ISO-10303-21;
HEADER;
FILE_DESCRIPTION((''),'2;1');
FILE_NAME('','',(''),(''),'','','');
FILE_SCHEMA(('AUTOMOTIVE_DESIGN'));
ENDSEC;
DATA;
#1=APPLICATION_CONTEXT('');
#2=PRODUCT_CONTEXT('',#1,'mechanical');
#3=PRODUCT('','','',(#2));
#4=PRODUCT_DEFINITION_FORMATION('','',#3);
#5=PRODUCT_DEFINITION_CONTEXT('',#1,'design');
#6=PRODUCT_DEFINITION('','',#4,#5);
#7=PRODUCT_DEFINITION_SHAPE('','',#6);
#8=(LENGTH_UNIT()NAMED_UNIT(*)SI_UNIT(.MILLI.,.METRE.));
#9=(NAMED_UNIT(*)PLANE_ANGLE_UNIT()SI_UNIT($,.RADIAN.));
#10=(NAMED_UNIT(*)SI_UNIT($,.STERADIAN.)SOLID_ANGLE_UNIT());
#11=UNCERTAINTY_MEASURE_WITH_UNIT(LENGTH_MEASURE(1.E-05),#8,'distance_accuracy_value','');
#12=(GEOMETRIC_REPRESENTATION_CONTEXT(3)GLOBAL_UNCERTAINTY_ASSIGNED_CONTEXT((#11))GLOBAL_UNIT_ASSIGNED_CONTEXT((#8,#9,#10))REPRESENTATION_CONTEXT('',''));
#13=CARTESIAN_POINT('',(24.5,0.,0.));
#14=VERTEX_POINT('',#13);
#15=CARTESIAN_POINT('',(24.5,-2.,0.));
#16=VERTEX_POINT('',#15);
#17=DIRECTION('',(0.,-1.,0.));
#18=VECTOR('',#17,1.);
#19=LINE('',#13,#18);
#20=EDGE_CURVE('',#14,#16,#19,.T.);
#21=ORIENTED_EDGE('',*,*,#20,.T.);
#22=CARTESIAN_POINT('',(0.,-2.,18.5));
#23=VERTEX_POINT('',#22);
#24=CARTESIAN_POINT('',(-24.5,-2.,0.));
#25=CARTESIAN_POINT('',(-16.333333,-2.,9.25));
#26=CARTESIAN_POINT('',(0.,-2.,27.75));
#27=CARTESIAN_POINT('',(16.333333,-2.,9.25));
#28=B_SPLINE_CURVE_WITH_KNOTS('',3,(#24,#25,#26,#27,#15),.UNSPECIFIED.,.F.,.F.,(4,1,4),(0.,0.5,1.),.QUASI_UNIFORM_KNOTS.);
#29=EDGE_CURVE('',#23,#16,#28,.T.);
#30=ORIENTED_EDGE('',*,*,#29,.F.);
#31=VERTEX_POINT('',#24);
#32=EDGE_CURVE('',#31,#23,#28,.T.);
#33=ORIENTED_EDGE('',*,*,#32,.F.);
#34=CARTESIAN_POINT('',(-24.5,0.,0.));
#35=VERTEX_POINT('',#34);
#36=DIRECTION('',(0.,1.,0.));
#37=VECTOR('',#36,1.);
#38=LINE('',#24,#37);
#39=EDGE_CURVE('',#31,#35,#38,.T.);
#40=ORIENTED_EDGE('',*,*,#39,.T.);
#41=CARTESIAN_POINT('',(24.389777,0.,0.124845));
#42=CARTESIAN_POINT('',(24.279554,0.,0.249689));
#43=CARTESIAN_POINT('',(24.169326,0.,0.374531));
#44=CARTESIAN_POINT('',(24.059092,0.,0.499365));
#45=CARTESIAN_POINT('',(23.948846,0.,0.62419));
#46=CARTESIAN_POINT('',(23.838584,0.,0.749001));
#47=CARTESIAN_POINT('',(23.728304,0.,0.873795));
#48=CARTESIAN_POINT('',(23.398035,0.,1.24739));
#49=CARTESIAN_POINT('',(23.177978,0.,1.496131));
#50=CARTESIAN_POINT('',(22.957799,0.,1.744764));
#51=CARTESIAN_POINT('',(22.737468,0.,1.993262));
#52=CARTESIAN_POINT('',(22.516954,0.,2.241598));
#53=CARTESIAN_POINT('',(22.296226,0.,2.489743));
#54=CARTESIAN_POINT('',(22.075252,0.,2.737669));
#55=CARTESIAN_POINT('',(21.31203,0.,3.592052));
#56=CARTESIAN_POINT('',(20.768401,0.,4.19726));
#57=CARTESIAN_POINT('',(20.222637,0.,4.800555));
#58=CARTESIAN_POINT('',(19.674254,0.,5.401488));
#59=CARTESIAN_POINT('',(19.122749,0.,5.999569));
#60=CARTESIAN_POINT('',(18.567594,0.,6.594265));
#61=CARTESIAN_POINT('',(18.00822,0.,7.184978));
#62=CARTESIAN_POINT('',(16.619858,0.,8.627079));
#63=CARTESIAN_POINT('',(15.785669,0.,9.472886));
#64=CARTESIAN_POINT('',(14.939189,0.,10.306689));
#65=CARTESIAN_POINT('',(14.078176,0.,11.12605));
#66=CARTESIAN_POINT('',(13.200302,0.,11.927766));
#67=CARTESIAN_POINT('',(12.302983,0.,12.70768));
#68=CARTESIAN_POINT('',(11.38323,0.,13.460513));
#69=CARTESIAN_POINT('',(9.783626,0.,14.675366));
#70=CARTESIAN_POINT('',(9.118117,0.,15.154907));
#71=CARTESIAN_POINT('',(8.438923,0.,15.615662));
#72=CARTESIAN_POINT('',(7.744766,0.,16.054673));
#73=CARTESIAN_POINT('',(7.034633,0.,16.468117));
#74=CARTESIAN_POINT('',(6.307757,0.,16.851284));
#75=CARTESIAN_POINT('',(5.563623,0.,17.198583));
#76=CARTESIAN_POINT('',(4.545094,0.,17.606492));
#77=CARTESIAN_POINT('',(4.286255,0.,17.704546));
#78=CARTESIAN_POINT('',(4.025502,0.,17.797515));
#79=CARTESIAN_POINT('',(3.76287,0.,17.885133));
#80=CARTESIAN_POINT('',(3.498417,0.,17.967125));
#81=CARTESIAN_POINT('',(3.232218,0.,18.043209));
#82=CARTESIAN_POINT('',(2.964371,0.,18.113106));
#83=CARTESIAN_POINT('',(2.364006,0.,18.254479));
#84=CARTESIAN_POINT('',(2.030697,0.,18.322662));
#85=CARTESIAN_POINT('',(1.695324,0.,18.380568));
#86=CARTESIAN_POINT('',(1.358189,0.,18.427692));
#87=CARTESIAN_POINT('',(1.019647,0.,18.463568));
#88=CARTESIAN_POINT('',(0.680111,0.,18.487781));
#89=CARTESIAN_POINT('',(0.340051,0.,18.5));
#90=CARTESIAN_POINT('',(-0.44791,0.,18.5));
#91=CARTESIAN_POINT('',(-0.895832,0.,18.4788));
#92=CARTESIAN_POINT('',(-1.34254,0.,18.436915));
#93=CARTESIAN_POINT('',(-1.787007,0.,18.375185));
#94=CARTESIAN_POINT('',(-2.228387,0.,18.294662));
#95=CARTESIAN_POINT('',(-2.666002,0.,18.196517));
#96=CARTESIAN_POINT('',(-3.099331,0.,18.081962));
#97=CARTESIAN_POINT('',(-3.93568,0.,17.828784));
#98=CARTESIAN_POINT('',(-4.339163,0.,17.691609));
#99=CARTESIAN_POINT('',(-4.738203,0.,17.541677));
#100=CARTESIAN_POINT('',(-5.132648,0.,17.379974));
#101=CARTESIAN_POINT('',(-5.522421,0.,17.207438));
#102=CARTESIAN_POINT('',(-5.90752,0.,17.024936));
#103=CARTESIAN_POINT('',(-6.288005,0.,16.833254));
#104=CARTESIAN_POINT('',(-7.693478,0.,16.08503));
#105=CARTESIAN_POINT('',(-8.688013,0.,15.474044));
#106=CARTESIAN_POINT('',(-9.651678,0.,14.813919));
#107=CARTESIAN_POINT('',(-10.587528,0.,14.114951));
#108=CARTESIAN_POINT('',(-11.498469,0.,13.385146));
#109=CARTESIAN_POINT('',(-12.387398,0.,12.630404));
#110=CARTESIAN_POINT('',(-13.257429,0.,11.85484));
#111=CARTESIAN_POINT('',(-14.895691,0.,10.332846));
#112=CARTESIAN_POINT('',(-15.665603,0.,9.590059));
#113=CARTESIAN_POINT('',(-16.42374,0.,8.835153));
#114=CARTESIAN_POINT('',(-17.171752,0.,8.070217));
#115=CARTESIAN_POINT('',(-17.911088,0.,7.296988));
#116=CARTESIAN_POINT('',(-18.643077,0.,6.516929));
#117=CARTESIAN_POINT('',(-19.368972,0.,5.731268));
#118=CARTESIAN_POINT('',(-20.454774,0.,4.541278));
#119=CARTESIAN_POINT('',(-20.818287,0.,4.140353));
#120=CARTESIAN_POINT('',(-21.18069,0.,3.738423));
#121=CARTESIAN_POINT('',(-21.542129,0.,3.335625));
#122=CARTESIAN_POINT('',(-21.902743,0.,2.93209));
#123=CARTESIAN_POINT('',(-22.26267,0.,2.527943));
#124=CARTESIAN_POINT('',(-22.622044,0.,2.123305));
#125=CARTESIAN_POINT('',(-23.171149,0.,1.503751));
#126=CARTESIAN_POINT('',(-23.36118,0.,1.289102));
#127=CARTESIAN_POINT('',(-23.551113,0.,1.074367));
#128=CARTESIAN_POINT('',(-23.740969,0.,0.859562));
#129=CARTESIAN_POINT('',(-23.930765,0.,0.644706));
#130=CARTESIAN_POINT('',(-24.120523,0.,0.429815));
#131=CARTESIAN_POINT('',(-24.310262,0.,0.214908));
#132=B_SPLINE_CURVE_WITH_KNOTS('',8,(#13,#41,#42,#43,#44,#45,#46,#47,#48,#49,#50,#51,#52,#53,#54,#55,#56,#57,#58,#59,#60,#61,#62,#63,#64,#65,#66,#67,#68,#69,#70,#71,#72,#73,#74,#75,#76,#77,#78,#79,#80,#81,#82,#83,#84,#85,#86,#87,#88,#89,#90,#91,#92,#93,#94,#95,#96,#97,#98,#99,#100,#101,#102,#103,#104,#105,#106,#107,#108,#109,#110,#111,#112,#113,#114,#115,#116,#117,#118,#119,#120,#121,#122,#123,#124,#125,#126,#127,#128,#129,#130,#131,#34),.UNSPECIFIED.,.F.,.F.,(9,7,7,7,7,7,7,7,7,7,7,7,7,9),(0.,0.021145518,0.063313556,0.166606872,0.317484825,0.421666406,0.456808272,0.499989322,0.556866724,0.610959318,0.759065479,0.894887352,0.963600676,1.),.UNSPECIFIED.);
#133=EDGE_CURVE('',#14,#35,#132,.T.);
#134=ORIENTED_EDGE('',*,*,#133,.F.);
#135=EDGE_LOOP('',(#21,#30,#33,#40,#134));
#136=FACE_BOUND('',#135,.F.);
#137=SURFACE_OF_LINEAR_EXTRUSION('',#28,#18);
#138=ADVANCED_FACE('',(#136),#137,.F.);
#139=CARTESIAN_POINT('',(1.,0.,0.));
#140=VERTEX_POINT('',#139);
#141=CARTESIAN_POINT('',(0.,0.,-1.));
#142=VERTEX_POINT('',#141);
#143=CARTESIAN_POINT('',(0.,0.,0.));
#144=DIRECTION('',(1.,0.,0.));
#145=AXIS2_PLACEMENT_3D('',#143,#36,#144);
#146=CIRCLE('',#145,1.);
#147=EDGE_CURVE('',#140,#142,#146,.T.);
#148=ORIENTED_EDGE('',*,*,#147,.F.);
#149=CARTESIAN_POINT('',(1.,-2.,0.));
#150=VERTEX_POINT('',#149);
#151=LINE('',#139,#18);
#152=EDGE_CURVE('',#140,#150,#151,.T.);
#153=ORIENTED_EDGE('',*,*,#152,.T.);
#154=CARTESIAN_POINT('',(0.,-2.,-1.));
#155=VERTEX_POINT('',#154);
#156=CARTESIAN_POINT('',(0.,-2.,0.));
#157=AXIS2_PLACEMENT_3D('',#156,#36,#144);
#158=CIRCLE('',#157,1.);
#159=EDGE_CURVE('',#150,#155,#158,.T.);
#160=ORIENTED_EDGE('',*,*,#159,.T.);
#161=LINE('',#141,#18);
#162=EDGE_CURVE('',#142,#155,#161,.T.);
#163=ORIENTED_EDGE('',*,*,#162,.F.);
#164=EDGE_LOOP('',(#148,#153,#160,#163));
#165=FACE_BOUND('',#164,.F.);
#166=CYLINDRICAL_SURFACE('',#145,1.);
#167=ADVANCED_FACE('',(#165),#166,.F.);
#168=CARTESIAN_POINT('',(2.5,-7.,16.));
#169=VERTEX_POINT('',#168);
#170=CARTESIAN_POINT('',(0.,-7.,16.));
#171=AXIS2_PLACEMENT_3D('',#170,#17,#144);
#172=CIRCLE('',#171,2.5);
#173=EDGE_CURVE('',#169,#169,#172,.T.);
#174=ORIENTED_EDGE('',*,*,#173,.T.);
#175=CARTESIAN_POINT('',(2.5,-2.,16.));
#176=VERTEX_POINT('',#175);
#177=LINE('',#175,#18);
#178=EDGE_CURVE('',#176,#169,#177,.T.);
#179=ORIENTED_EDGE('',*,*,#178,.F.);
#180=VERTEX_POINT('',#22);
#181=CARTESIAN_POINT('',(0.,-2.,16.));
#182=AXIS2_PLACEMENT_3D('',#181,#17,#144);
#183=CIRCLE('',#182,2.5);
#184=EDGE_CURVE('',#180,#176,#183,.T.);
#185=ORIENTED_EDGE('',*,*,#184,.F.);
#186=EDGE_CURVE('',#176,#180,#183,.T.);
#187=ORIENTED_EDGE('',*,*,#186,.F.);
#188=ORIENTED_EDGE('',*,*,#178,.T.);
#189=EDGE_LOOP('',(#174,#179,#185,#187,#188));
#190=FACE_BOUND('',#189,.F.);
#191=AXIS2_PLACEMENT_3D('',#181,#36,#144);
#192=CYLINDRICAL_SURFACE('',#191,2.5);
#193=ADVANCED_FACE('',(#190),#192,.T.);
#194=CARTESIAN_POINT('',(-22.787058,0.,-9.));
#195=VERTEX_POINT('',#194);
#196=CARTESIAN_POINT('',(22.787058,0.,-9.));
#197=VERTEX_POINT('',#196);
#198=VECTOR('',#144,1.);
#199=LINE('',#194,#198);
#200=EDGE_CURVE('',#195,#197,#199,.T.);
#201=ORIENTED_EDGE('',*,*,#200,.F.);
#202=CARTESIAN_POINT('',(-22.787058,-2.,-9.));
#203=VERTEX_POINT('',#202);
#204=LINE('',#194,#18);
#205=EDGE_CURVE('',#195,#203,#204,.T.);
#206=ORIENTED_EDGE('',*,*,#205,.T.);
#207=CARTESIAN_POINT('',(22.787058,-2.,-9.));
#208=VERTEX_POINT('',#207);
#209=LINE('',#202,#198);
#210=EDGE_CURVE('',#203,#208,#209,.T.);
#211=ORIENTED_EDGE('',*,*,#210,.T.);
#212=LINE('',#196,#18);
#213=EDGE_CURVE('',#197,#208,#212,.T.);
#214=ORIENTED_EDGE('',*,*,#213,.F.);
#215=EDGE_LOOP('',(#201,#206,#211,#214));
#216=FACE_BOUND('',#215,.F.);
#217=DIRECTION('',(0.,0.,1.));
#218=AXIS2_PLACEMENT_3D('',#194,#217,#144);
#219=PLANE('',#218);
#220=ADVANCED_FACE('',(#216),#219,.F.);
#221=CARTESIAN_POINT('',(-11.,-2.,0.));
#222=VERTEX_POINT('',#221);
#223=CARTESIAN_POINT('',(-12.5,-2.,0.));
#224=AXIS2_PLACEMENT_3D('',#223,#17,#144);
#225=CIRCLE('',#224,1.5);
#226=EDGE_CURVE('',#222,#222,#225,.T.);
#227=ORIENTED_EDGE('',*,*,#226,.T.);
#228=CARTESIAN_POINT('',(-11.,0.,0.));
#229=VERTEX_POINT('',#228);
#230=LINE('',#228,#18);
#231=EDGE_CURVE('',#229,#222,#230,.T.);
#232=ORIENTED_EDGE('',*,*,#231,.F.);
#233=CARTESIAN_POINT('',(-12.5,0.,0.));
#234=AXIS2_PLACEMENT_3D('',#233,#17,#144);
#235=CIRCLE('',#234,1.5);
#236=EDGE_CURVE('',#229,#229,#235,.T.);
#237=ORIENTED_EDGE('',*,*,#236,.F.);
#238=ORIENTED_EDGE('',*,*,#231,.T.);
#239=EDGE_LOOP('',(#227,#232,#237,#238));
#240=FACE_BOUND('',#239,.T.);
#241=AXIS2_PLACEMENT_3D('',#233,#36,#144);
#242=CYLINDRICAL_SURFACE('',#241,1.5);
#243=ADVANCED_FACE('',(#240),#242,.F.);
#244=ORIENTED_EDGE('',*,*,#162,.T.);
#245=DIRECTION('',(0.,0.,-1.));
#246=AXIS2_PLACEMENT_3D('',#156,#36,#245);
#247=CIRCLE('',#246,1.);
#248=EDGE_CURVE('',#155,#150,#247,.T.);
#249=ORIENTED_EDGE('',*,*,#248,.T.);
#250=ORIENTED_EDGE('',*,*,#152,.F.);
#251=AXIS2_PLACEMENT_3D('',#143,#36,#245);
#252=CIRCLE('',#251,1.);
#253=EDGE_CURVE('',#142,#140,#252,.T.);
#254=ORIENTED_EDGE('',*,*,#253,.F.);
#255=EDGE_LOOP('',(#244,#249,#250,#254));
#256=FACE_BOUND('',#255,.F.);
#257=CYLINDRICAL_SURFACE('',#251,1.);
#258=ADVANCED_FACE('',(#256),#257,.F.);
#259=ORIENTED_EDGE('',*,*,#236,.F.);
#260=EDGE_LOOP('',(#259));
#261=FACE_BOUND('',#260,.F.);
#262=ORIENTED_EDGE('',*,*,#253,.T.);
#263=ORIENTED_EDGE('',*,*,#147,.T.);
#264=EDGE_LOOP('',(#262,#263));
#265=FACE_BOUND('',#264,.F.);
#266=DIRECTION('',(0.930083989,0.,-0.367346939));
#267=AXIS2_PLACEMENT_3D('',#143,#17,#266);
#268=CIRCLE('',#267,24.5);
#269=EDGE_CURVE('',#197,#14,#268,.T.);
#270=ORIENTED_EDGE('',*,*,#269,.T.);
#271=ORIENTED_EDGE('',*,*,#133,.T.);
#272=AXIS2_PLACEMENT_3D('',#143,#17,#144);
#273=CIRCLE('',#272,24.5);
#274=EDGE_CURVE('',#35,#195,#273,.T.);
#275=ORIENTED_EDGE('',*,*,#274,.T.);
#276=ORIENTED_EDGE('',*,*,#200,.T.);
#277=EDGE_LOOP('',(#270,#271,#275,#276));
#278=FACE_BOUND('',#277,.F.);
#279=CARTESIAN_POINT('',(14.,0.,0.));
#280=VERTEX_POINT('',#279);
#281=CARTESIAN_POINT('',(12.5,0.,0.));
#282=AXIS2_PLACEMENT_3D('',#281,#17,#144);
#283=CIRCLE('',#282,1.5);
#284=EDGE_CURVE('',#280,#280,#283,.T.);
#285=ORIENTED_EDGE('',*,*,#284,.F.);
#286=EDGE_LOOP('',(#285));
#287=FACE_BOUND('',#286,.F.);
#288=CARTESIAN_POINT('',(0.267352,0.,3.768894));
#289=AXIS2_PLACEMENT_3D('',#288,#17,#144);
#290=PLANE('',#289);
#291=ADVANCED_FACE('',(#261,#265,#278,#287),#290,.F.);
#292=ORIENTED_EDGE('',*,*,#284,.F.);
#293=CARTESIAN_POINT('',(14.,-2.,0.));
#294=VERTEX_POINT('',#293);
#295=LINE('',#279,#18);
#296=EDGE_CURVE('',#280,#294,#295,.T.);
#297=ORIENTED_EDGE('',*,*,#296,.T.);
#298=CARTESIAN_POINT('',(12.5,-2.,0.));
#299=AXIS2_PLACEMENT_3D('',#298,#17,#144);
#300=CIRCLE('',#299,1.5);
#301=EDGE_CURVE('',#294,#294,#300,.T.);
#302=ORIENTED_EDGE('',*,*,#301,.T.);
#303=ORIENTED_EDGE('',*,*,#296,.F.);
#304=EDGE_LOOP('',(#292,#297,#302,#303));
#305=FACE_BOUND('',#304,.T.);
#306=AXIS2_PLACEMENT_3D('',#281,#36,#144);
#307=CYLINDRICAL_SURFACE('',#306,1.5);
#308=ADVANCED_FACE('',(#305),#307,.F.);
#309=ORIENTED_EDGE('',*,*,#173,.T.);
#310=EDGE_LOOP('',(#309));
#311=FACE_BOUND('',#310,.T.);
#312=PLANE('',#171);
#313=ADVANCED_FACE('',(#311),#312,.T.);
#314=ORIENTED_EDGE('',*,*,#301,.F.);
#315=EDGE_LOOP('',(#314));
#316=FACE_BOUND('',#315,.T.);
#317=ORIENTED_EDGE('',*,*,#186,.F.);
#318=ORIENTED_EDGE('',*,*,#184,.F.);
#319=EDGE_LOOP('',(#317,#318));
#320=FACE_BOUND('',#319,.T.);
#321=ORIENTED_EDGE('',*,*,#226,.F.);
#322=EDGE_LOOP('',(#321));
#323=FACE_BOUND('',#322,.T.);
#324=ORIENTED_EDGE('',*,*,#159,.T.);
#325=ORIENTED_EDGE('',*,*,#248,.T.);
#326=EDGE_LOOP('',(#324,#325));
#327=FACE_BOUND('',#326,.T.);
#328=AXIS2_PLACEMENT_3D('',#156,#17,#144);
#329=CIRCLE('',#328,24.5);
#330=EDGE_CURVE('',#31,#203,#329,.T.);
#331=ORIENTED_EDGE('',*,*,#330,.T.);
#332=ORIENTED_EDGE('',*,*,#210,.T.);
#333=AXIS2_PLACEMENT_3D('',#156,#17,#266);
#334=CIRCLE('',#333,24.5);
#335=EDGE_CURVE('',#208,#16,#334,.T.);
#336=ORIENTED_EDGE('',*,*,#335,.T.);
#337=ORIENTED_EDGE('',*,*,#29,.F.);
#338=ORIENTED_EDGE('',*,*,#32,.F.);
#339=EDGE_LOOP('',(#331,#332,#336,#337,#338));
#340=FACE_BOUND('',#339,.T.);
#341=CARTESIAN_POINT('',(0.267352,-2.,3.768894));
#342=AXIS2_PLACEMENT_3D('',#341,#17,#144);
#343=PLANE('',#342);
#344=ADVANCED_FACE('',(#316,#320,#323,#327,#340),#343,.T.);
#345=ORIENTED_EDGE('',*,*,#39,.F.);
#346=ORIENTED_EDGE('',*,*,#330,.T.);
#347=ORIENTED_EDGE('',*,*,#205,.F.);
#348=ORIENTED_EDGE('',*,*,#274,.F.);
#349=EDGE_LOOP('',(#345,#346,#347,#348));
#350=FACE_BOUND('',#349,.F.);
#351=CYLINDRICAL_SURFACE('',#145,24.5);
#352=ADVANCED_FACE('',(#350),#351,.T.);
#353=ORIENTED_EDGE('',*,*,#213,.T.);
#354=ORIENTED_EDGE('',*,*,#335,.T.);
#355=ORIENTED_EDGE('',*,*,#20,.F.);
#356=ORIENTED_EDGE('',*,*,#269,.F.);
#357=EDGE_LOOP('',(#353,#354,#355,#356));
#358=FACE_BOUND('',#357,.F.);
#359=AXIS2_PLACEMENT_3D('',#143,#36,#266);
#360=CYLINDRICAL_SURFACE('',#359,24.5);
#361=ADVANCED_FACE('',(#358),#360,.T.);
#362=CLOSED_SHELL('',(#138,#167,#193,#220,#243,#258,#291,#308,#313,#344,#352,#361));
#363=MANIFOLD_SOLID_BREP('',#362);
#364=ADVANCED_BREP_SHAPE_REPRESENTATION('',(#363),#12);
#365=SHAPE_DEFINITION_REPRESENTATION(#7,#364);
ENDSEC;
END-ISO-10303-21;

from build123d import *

# Parameters (mm, degrees)
F0_R     = 1.5
F1_DEPTH = 2
F2_R     = 2.5
F3_DEPTH = 5
F5_DEPTH = 25


with BuildPart() as f1:
    # F0 (on Front) → F1 (new body)
    with BuildSketch(Plane.XZ):
        with BuildLine():
            ThreePointArc((22.7870577302, -9), (24.0679549857, -4.5807797158), (24.5, 0))
            ThreePointArc((24.5, 0), (-4.5807797158, 24.0679549857), (-22.7870577302, -9))
            Line((-22.7870577302, -9), (0, -9))
            Line((0, -9), (22.7870577302, -9))
        make_face()
        with Locations((-12.5, 0)):
            Circle(F0_R, mode=Mode.SUBTRACT)
        with BuildLine():
            ThreePointArc((1, 0), (0.7071067812, -0.7071067812), (0, -1))
            ThreePointArc((0, -1), (-0.7071067812, 0.7071067812), (1, 0))
        make_face(mode=Mode.SUBTRACT)
        with Locations((12.5, 0)):
            Circle(F0_R, mode=Mode.SUBTRACT)
    extrude(amount=F1_DEPTH)

    # F2 (on face) → F3 (join)
    with BuildSketch(Plane.XZ.offset(2)):
        with Locations((0, 16)):
            Circle(F2_R)
    extrude(amount=F3_DEPTH)

    # F4 (on face) → F5 (cut)
    with BuildSketch(Plane.XZ.offset(2)):
        with BuildLine():
            ThreePointArc((24.5, 0), (0, 24.5), (-24.5, 0))
            add(Edge.make_bspline(
                [(-24.5, 0), (-16.3333333333, 9.25), (-8.1666666667, 18.5), (0, 18.5)],
                knots=[0, 0, 0, 0, 0.5, 0.5, 0.5, 0.5], degree=3))
            add(Edge.make_bspline(
                [(0, 18.5), (8.1666666667, 18.5), (16.3333333333, 9.25), (24.5, 0)],
                knots=[0.5, 0.5, 0.5, 0.5, 1, 1, 1, 1], degree=3))
        make_face()
    extrude(amount=-F5_DEPTH, mode=Mode.SUBTRACT)


solid = f1.part
